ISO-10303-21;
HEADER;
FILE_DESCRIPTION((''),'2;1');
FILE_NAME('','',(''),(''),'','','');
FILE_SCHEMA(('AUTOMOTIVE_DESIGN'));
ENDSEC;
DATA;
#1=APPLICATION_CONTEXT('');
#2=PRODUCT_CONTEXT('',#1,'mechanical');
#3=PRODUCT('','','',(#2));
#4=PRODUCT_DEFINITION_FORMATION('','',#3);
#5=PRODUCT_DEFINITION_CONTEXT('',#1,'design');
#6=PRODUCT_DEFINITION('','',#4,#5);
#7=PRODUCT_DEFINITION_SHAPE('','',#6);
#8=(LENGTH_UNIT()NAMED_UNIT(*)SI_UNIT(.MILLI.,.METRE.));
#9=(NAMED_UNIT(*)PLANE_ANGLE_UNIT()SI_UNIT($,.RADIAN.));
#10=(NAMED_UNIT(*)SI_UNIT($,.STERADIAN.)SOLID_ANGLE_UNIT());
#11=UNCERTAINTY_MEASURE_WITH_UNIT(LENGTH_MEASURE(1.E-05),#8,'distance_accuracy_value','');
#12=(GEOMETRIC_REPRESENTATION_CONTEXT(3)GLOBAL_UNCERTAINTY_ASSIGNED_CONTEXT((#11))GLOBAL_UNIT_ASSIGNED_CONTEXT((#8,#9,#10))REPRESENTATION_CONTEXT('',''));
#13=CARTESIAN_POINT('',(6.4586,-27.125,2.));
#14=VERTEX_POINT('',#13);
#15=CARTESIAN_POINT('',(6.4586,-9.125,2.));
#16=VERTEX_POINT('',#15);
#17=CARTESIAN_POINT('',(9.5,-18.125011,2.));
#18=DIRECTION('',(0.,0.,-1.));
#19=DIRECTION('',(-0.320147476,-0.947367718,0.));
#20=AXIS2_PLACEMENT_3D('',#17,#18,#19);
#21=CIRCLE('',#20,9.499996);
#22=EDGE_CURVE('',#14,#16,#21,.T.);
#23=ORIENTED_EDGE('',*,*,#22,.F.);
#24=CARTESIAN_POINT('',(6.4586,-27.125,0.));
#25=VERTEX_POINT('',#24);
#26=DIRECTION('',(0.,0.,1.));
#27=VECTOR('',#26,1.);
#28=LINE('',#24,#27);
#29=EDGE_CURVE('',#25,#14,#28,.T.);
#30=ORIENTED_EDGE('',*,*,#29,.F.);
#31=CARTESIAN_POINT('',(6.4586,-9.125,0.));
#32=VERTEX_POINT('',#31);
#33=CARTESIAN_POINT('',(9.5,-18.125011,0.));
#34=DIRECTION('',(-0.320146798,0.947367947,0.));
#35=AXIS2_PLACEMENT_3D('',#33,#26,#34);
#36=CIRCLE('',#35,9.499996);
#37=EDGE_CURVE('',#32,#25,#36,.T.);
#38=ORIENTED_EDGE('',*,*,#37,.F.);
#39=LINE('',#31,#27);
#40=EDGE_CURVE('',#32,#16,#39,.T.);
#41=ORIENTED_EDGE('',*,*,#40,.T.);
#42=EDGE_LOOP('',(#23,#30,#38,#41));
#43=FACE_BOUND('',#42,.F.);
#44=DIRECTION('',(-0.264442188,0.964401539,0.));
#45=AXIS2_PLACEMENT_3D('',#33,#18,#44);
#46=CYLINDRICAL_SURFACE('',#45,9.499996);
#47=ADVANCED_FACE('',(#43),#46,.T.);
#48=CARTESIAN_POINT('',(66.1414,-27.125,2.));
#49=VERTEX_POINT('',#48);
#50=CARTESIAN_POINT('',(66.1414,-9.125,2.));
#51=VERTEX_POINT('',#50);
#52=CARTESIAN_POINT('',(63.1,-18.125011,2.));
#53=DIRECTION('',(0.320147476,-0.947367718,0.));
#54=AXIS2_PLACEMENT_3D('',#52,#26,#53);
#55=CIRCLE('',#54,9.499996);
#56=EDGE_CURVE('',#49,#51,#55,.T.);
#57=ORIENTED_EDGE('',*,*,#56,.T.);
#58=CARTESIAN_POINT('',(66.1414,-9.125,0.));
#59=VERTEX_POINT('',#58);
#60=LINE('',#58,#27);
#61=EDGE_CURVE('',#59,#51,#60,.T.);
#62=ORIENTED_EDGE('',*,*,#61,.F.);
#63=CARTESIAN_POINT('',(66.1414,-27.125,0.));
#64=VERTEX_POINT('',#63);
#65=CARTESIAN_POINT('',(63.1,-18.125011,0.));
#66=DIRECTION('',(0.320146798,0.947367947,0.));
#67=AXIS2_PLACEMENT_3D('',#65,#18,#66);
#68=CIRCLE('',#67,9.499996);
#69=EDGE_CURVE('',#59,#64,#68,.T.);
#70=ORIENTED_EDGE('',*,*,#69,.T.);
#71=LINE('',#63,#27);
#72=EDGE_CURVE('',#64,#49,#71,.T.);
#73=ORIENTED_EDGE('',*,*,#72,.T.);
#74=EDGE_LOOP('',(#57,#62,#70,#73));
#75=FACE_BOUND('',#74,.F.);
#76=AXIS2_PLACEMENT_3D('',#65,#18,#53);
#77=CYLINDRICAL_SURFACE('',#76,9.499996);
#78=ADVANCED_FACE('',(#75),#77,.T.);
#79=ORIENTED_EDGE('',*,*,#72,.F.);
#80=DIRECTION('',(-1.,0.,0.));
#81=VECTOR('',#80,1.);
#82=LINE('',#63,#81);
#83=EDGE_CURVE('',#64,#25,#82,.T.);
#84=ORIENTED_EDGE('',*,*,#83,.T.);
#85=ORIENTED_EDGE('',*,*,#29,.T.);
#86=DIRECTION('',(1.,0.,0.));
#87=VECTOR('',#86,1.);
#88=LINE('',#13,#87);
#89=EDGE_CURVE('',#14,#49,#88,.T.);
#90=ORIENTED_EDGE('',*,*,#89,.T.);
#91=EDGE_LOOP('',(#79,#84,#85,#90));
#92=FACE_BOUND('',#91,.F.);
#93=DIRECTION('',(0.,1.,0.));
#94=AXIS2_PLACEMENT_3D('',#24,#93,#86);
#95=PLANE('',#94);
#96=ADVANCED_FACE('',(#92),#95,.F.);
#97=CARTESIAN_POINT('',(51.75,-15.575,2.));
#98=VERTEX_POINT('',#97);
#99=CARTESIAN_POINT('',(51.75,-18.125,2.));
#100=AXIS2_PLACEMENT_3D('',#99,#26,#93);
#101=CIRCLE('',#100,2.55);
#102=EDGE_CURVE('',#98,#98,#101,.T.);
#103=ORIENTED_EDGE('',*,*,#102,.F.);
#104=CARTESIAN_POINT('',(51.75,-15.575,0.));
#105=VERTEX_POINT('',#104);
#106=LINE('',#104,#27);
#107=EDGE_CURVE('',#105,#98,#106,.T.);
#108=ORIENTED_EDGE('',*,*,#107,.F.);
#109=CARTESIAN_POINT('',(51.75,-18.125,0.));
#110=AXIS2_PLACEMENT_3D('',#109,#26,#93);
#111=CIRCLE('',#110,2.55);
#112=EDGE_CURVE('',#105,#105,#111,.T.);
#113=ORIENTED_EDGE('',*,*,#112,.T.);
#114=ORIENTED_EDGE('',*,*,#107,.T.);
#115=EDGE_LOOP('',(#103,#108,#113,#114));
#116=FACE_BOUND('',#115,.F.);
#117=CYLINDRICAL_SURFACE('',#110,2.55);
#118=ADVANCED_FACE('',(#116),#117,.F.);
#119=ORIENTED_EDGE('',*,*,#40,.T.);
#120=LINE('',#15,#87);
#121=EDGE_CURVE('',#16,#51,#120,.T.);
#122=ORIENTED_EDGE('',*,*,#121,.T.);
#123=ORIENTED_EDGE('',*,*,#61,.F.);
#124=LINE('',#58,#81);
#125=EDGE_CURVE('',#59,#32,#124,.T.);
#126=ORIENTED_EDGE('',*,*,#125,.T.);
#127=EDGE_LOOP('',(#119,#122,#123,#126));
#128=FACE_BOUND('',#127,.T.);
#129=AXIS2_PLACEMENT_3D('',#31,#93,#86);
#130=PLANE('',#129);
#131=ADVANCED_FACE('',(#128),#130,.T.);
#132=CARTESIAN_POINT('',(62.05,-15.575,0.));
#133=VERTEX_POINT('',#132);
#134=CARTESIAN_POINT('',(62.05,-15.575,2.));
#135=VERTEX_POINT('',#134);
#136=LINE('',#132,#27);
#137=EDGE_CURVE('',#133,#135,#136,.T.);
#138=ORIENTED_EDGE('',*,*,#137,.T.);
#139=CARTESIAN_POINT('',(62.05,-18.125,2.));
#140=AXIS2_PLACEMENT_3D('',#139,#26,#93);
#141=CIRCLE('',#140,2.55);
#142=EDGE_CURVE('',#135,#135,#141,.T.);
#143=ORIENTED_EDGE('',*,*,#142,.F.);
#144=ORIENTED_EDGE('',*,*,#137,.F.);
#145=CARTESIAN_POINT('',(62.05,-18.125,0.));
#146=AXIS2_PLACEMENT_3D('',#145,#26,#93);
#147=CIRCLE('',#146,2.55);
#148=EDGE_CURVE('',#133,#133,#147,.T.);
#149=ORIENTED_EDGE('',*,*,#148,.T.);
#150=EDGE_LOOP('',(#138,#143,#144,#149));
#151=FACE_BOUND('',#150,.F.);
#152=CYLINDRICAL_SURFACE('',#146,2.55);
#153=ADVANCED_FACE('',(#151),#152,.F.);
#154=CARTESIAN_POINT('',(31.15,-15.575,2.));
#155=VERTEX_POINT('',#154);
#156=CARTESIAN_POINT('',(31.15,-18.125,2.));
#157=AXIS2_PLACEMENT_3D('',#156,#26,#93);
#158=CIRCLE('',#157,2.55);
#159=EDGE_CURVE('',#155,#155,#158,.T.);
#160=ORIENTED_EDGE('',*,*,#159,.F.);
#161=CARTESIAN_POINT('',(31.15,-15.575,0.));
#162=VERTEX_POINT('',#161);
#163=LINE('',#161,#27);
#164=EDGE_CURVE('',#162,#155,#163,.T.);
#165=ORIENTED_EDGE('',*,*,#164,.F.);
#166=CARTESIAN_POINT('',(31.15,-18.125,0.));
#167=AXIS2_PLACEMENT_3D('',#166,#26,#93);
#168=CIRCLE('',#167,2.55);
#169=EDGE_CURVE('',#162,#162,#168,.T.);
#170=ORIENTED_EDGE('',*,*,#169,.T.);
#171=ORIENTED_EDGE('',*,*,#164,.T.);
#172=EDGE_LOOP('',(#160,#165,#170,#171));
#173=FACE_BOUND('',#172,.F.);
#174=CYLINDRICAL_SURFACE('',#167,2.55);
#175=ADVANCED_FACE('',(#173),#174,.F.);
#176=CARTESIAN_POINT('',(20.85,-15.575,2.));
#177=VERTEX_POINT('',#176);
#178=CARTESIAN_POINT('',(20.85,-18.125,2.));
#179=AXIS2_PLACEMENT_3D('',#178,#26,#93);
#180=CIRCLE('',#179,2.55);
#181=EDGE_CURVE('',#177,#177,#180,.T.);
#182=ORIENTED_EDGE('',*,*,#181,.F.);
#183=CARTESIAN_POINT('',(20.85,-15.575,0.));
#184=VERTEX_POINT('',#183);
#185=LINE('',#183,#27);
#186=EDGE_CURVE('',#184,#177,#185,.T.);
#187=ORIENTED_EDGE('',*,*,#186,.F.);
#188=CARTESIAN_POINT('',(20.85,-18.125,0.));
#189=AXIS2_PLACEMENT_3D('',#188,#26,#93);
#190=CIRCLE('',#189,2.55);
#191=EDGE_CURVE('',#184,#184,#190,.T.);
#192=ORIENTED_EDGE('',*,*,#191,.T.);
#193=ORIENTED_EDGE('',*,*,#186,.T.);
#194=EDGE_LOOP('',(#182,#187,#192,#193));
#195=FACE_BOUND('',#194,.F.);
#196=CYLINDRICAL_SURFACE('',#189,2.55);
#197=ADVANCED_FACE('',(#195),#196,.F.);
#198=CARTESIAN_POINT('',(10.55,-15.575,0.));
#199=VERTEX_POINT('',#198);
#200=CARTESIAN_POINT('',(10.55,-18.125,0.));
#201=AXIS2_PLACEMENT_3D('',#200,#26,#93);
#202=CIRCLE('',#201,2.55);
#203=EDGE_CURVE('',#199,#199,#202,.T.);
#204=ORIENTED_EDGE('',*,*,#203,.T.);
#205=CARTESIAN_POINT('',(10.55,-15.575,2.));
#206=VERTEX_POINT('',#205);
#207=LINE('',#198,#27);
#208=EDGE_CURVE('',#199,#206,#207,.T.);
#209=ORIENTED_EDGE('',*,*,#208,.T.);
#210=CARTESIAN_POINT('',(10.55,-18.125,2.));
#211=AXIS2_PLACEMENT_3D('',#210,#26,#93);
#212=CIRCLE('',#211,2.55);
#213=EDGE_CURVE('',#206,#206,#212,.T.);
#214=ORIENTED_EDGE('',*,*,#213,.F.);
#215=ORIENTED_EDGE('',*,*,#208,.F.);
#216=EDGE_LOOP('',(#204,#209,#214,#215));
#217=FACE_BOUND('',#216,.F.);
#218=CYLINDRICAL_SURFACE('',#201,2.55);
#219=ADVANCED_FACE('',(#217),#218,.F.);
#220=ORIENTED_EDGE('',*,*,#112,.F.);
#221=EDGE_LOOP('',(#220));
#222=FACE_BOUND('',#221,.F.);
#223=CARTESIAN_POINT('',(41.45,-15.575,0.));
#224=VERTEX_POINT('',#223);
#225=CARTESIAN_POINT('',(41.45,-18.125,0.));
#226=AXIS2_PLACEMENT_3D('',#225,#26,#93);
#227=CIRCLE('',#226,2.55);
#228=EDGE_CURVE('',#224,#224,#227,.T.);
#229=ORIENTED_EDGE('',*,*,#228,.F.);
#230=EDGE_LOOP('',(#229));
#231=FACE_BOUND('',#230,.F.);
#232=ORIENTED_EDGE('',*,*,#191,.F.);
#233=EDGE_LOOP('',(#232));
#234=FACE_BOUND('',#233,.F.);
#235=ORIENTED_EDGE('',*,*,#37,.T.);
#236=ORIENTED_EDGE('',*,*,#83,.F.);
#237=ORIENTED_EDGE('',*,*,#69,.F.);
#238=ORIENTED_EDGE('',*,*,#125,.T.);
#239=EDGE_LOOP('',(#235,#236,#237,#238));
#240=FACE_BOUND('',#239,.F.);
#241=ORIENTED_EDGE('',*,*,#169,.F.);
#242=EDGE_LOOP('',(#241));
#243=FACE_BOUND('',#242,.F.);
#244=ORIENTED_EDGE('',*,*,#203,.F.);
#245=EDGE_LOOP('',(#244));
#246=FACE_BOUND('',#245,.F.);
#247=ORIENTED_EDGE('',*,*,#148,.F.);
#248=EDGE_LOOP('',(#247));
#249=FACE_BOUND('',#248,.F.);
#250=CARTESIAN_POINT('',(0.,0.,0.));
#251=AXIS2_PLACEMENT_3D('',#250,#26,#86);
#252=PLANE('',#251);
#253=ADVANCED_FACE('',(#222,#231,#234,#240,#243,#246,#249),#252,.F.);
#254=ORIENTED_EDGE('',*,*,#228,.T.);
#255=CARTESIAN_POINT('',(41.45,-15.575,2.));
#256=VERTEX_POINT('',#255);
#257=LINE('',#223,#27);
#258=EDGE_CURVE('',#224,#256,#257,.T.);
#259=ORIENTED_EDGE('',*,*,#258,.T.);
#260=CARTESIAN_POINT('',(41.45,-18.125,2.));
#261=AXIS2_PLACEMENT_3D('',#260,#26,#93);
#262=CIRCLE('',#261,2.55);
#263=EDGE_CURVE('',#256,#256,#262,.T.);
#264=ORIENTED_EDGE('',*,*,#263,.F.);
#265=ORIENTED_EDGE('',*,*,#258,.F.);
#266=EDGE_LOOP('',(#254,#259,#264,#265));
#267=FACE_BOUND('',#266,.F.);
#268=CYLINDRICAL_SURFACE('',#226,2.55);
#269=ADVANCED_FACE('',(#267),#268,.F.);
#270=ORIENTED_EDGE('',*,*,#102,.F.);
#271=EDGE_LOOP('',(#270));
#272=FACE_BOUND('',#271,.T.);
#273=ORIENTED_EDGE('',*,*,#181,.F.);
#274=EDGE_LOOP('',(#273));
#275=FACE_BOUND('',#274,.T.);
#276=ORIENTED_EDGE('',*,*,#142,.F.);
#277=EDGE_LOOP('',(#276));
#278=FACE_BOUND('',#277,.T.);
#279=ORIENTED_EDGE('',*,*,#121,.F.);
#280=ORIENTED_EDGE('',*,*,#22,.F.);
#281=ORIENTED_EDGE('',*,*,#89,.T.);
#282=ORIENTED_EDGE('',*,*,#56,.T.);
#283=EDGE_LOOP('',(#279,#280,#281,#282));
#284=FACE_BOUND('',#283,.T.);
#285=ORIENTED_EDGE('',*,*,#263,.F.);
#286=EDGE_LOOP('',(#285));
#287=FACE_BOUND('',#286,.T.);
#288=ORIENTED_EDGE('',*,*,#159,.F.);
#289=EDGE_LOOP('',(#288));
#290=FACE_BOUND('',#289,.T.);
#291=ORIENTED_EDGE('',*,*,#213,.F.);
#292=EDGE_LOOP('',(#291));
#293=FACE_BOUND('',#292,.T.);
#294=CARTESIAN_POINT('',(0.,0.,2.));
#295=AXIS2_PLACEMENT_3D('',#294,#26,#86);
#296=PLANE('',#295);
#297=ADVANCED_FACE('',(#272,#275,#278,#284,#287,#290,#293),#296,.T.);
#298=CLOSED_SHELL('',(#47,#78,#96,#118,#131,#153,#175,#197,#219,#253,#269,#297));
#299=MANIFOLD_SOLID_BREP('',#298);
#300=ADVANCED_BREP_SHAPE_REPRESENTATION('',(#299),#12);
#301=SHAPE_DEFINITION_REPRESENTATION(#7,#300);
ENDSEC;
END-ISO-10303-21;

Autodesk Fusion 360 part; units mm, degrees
sketch "スケッチ1" plane through (0, 0, 0) normal (0, 0, 1) x (1, 0, 0)
  line L0 (0, 0) -> (72.6, 0)
  line L1 (72.6, 0) -> (72.6, -36.25)
  line L2 (72.6, -36.25) -> (0, -36.25)
  line L3 (0, -36.25) -> (0, 0)
  line L4 (36.3, 0) -> (36.3, -36.25)
  line L5 (0, -18.125) -> (72.6, -18.125)
  line L6 (72.6, -8.625) -> (72.6, -26.625)
  line L7 (58.3, -36.25) -> (14.3, -36.25)
  line L8 (0, -9.125) -> (0, -27.125)
  line L9 (0, -18.125) -> (9.5, -18.125)
  line L10 (0, -9.125) -> (6.4586, -9.125)
  line L11 (0, -27.125) -> (4.6488, -27.125)
  line L12 (6.4586, -9.125) -> (36.3, 0)
  line L13 (14.3, -36.25) -> (12.3, -36.25)
  line L14 (12.3, -36.25) -> (2.2204, -24.2289)
  line L15 (36.3, -18.125) -> (36.3, -32.425)
  line L16 (36.3, -18.125) -> (36.3, -3.825)
  line L17 (66.1414, -9.125) -> (36.3, 0)
  line L18 (60.3, -36.25) -> (70.3796, -24.2289)
  line L19 (58.3, -36.25) -> (60.3, -36.25)
  line L20 (6.4586, -27.125) -> (66.1414, -27.125)
  line L21 (6.4586, -9.125) -> (66.1414, -9.125)
  arc A0 (6.9878, -8.9632) -> (6.4586, -27.125) centre (9.5, -18.125) ccw
  arc A1 (66.1414, -27.125) -> (65.6122, -8.9632) centre (63.1, -18.125) ccw
  circle A2 centre (14.3, -32.425) radius 1.75
  circle A3 centre (36.3, -3.825) radius 1.75
  circle A4 centre (58.3, -32.425) radius 1.75
  circle A5 centre (32.3, -32.425) radius 1
  circle A6 centre (40.3, -32.425) radius 1
  point P0 (36.3, -18.125)
  point P1 (36.3, -3.825)
  point P2 (14.3, -32.425)
  point P3 (58.3, -32.425)
  point P4 (40.3, -32.425)
  point P5 (40.3, -32.425)
  point P6 (32.3, -32.425)
  dimension "d5" = 72.6
  dimension "d6" = 36.25
  dimension "d10" = 44
  dimension "d11" = 9
  dimension "d12" = 18
  dimension "d13" = 9.5
  dimension "d14" = 2
  dimension "d15" = 14.3
  dimension "d16" = 22
  dimension "d17" = 14.3
  dimension "d18" = 3.5
  dimension "d19" = 3.5
  dimension "d20" = 3.5
  dimension "d21" = 4
  dimension "d24" = 2
  dimension "d25" = 2
extrude "押し出し2" add sketch "スケッチ1" along normal blind 2 contours L4 L5 L9 L16 L21 A0 | L4 L5 L9 L15 L20 A0 | L4 L5 L16 L21 A1 | L4 L5 L15 L20 A1
sketch "スケッチ3" plane through (0, 0, 0) normal (0, 0, -1) x (1, 0, 0)
  arc A0 (6.4586, 27.125) -> (6.4586, 9.125) centre (9.5, 18.125) ccw
  line L0 (6.4586, 9.125) -> (66.1414, 9.125)
  arc A1 (66.1414, 9.125) -> (66.1414, 27.125) centre (63.1, 18.125) ccw
  line L1 (66.1414, 27.125) -> (6.4586, 27.125)
  line L2 (72.6, 18.125) -> (0, 18.125)
  line L3 (72.6, 18.125) -> (36.3, 18.125)
  line L4 (36.3, 18.125) -> (31.15, 18.125)
  line L5 (31.15, 18.125) -> (20.85, 18.125)
  line L6 (20.85, 18.125) -> (10.55, 18.125)
  line L7 (36.3, 18.125) -> (36.3, 27.125)
  point P0 (36.3, 18.125)
  point P1 (31.15, 18.125)
  point P2 (20.85, 18.125)
  point P3 (10.55, 18.125)
  point P4 (41.45, 18.125)
  point P5 (51.75, 18.125)
  point P6 (62.05, 18.125)
  dimension "d32" = 5.15
  dimension "d33" = 10.3
  dimension "d34" = 10.3
hole "穴1" at (62.05, -18.125, 0) at (51.75, -18.125, 0) at (41.45, -18.125, 0) at (31.15, -18.125, 0) at (20.85, -18.125, 0) at (10.55, -18.125, 0) direction (0, 0, 1) diameter 5.1 depth 12 tip angle 180
